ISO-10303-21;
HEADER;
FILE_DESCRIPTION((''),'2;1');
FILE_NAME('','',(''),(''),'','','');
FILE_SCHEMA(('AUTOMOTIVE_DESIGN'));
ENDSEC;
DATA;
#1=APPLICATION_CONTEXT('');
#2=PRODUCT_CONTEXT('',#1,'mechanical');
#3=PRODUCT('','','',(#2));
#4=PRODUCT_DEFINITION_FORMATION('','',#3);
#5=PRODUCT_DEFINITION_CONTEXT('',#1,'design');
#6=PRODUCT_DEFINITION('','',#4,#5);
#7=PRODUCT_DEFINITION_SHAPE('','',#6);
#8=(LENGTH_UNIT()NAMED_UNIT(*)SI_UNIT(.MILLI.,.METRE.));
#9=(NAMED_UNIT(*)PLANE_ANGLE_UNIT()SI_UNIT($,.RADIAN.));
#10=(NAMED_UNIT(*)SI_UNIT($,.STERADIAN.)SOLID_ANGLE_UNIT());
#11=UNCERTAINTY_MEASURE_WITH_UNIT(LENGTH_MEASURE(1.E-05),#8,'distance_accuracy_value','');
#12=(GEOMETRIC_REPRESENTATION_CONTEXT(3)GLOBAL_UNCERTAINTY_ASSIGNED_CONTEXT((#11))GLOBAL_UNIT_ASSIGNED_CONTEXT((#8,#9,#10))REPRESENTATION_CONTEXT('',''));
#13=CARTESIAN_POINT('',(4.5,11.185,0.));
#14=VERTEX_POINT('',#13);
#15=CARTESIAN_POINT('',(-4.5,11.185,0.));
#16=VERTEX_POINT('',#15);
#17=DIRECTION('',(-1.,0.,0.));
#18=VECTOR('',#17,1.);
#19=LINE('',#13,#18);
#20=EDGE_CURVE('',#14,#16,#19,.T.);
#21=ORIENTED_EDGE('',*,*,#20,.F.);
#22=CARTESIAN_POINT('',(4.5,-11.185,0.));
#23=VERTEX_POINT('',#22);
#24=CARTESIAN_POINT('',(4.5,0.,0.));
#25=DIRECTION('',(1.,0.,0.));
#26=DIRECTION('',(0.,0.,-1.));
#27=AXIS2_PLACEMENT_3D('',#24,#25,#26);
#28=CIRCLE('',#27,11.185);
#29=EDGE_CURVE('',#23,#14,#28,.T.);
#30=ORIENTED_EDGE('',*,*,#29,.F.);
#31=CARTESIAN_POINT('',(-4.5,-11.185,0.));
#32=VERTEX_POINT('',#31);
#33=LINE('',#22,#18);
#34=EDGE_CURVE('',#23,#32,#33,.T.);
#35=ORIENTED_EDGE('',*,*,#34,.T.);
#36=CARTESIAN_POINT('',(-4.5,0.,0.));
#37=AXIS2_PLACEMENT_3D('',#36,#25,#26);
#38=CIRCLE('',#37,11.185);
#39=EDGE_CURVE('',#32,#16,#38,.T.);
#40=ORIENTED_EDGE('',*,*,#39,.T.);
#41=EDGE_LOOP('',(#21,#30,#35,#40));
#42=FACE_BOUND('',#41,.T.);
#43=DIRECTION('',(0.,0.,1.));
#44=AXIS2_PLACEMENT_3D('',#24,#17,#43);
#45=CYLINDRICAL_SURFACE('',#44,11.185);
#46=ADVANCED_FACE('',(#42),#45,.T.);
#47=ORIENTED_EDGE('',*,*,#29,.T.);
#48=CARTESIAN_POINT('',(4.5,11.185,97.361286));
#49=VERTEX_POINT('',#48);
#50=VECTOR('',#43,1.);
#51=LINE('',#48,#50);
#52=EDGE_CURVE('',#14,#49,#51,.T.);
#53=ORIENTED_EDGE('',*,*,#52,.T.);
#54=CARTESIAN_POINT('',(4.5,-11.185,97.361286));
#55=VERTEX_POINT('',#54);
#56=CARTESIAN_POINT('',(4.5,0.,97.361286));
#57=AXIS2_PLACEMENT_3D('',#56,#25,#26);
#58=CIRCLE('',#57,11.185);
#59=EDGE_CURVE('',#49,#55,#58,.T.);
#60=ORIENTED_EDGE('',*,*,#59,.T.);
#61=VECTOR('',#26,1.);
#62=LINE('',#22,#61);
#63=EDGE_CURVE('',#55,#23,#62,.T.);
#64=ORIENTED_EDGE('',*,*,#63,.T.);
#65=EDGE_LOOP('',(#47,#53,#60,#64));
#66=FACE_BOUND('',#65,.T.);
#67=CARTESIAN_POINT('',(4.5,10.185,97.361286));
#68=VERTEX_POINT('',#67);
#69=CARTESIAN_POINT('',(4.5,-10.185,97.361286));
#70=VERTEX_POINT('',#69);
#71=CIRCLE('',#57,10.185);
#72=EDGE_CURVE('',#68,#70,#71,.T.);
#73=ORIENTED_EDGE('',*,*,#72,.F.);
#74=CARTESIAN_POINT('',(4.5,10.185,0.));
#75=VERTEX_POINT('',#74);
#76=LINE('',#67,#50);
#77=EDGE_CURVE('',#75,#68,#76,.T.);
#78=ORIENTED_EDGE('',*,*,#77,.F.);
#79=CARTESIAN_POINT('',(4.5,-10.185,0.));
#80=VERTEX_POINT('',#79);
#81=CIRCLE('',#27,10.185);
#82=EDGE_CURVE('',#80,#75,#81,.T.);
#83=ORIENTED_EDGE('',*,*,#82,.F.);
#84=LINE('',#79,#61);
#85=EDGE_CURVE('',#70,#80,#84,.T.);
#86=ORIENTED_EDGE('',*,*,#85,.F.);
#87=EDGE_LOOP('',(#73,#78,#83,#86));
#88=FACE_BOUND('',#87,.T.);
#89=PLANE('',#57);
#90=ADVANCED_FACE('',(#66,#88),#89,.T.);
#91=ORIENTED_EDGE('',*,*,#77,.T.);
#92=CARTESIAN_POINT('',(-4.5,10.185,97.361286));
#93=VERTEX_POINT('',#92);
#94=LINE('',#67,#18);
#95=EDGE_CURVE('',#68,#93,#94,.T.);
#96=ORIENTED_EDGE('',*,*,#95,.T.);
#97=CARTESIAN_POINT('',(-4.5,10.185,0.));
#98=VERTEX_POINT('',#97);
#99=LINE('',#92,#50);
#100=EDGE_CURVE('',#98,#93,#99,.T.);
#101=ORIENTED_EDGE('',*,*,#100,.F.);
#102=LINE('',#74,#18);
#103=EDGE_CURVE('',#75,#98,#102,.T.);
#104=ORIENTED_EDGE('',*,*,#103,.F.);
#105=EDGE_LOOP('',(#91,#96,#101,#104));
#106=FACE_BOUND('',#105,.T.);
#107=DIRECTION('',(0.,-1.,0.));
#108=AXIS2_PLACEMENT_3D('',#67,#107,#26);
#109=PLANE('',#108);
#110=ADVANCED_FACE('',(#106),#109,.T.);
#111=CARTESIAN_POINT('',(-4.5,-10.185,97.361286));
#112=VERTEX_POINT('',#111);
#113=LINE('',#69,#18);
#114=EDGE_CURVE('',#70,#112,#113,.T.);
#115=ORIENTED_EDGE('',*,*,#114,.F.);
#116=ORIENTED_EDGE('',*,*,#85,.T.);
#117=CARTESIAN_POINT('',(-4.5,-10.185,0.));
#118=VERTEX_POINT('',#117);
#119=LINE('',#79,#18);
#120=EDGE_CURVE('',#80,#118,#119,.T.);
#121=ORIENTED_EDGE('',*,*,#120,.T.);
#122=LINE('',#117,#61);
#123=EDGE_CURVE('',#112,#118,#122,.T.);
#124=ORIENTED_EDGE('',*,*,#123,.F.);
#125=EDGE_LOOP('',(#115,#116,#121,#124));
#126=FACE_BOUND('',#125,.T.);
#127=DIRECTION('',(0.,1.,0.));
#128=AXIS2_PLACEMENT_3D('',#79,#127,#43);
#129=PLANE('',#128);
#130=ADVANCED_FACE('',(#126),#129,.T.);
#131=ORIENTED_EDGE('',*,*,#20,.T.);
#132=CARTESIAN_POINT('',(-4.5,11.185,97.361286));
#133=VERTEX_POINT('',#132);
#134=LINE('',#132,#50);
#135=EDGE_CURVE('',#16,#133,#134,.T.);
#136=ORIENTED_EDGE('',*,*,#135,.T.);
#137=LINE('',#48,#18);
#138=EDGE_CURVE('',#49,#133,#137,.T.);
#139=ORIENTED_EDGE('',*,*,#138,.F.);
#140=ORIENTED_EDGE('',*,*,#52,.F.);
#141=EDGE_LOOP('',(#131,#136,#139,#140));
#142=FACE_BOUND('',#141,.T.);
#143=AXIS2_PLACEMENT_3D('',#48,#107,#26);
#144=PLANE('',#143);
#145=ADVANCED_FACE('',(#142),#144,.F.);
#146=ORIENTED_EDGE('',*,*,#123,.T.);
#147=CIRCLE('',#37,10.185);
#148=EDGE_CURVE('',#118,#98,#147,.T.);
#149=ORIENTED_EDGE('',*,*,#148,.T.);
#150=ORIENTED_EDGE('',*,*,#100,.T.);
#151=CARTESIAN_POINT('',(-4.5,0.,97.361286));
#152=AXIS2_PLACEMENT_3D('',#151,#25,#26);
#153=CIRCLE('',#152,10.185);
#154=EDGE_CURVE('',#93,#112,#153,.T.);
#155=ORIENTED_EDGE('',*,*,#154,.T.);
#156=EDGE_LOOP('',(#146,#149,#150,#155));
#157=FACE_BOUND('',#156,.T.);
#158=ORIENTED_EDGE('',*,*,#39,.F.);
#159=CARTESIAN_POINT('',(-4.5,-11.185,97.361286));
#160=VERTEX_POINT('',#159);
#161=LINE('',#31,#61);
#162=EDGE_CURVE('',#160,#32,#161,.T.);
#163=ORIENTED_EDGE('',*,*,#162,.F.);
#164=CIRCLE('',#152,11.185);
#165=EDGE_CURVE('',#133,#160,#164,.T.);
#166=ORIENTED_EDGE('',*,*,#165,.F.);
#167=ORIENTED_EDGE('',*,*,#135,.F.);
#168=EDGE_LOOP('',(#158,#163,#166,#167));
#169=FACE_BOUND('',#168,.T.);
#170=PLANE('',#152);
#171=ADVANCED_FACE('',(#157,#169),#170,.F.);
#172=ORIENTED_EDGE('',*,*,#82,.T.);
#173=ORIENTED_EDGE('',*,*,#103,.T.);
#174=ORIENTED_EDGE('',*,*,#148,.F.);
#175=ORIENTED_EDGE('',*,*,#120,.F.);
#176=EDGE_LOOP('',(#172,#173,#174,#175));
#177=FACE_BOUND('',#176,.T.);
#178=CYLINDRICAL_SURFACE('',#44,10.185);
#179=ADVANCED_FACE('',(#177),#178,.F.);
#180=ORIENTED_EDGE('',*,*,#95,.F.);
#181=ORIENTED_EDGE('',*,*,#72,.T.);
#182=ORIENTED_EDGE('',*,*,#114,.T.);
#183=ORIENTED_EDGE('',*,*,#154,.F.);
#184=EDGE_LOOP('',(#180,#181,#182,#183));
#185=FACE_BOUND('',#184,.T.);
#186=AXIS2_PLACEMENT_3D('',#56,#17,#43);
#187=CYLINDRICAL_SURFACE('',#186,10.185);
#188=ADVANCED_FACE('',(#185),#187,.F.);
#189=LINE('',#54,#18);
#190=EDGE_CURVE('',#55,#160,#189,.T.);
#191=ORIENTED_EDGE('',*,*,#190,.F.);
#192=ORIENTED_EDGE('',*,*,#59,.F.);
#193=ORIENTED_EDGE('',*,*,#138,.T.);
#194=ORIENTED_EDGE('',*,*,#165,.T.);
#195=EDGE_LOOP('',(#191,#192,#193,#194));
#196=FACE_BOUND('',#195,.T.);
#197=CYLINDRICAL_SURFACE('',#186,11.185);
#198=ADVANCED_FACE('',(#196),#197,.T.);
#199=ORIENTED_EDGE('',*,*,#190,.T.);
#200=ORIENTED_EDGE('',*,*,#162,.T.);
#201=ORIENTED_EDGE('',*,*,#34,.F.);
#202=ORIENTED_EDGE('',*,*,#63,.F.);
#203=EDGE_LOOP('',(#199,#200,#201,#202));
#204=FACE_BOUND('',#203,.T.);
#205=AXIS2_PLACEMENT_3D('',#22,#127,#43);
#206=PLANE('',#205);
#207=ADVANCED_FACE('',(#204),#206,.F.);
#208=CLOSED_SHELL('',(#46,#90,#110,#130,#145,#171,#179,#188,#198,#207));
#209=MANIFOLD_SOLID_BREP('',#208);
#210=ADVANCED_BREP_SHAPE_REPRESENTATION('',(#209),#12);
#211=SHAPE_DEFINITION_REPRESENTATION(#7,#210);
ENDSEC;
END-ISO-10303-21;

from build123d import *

# Parameters (mm, degrees)
EXTRUDE_THIN1_DEPTH = 4.5


with BuildPart() as part:
    # Sketch1 → Extrude-Thin1 (new, symmetric)
    with BuildSketch(Plane(origin=(0, 0, 0), x_dir=(0, 0, -1), z_dir=(1, 0, 0))):
        with BuildLine():
            Line((-97.36128617, 11.185), (0, 11.185))
            ThreePointArc((0, 11.185), (11.185, 0), (0, -11.185))
            Line((0, -11.185), (-97.36128617, -11.185))
            ThreePointArc((-97.36128617, -11.185), (-108.54628617, 0), (-97.36128617, 11.185))
        make_face()
        with BuildLine():
            Line((-97.36128617, 10.185), (0, 10.185))
            ThreePointArc((0, 10.185), (10.185, 0), (0, -10.185))
            Line((0, -10.185), (-97.36128617, -10.185))
            ThreePointArc((-97.36128617, -10.185), (-107.54628617, 0), (-97.36128617, 10.185))
        make_face(mode=Mode.SUBTRACT)
    extrude(amount=EXTRUDE_THIN1_DEPTH, both=True)


solid = part.part
